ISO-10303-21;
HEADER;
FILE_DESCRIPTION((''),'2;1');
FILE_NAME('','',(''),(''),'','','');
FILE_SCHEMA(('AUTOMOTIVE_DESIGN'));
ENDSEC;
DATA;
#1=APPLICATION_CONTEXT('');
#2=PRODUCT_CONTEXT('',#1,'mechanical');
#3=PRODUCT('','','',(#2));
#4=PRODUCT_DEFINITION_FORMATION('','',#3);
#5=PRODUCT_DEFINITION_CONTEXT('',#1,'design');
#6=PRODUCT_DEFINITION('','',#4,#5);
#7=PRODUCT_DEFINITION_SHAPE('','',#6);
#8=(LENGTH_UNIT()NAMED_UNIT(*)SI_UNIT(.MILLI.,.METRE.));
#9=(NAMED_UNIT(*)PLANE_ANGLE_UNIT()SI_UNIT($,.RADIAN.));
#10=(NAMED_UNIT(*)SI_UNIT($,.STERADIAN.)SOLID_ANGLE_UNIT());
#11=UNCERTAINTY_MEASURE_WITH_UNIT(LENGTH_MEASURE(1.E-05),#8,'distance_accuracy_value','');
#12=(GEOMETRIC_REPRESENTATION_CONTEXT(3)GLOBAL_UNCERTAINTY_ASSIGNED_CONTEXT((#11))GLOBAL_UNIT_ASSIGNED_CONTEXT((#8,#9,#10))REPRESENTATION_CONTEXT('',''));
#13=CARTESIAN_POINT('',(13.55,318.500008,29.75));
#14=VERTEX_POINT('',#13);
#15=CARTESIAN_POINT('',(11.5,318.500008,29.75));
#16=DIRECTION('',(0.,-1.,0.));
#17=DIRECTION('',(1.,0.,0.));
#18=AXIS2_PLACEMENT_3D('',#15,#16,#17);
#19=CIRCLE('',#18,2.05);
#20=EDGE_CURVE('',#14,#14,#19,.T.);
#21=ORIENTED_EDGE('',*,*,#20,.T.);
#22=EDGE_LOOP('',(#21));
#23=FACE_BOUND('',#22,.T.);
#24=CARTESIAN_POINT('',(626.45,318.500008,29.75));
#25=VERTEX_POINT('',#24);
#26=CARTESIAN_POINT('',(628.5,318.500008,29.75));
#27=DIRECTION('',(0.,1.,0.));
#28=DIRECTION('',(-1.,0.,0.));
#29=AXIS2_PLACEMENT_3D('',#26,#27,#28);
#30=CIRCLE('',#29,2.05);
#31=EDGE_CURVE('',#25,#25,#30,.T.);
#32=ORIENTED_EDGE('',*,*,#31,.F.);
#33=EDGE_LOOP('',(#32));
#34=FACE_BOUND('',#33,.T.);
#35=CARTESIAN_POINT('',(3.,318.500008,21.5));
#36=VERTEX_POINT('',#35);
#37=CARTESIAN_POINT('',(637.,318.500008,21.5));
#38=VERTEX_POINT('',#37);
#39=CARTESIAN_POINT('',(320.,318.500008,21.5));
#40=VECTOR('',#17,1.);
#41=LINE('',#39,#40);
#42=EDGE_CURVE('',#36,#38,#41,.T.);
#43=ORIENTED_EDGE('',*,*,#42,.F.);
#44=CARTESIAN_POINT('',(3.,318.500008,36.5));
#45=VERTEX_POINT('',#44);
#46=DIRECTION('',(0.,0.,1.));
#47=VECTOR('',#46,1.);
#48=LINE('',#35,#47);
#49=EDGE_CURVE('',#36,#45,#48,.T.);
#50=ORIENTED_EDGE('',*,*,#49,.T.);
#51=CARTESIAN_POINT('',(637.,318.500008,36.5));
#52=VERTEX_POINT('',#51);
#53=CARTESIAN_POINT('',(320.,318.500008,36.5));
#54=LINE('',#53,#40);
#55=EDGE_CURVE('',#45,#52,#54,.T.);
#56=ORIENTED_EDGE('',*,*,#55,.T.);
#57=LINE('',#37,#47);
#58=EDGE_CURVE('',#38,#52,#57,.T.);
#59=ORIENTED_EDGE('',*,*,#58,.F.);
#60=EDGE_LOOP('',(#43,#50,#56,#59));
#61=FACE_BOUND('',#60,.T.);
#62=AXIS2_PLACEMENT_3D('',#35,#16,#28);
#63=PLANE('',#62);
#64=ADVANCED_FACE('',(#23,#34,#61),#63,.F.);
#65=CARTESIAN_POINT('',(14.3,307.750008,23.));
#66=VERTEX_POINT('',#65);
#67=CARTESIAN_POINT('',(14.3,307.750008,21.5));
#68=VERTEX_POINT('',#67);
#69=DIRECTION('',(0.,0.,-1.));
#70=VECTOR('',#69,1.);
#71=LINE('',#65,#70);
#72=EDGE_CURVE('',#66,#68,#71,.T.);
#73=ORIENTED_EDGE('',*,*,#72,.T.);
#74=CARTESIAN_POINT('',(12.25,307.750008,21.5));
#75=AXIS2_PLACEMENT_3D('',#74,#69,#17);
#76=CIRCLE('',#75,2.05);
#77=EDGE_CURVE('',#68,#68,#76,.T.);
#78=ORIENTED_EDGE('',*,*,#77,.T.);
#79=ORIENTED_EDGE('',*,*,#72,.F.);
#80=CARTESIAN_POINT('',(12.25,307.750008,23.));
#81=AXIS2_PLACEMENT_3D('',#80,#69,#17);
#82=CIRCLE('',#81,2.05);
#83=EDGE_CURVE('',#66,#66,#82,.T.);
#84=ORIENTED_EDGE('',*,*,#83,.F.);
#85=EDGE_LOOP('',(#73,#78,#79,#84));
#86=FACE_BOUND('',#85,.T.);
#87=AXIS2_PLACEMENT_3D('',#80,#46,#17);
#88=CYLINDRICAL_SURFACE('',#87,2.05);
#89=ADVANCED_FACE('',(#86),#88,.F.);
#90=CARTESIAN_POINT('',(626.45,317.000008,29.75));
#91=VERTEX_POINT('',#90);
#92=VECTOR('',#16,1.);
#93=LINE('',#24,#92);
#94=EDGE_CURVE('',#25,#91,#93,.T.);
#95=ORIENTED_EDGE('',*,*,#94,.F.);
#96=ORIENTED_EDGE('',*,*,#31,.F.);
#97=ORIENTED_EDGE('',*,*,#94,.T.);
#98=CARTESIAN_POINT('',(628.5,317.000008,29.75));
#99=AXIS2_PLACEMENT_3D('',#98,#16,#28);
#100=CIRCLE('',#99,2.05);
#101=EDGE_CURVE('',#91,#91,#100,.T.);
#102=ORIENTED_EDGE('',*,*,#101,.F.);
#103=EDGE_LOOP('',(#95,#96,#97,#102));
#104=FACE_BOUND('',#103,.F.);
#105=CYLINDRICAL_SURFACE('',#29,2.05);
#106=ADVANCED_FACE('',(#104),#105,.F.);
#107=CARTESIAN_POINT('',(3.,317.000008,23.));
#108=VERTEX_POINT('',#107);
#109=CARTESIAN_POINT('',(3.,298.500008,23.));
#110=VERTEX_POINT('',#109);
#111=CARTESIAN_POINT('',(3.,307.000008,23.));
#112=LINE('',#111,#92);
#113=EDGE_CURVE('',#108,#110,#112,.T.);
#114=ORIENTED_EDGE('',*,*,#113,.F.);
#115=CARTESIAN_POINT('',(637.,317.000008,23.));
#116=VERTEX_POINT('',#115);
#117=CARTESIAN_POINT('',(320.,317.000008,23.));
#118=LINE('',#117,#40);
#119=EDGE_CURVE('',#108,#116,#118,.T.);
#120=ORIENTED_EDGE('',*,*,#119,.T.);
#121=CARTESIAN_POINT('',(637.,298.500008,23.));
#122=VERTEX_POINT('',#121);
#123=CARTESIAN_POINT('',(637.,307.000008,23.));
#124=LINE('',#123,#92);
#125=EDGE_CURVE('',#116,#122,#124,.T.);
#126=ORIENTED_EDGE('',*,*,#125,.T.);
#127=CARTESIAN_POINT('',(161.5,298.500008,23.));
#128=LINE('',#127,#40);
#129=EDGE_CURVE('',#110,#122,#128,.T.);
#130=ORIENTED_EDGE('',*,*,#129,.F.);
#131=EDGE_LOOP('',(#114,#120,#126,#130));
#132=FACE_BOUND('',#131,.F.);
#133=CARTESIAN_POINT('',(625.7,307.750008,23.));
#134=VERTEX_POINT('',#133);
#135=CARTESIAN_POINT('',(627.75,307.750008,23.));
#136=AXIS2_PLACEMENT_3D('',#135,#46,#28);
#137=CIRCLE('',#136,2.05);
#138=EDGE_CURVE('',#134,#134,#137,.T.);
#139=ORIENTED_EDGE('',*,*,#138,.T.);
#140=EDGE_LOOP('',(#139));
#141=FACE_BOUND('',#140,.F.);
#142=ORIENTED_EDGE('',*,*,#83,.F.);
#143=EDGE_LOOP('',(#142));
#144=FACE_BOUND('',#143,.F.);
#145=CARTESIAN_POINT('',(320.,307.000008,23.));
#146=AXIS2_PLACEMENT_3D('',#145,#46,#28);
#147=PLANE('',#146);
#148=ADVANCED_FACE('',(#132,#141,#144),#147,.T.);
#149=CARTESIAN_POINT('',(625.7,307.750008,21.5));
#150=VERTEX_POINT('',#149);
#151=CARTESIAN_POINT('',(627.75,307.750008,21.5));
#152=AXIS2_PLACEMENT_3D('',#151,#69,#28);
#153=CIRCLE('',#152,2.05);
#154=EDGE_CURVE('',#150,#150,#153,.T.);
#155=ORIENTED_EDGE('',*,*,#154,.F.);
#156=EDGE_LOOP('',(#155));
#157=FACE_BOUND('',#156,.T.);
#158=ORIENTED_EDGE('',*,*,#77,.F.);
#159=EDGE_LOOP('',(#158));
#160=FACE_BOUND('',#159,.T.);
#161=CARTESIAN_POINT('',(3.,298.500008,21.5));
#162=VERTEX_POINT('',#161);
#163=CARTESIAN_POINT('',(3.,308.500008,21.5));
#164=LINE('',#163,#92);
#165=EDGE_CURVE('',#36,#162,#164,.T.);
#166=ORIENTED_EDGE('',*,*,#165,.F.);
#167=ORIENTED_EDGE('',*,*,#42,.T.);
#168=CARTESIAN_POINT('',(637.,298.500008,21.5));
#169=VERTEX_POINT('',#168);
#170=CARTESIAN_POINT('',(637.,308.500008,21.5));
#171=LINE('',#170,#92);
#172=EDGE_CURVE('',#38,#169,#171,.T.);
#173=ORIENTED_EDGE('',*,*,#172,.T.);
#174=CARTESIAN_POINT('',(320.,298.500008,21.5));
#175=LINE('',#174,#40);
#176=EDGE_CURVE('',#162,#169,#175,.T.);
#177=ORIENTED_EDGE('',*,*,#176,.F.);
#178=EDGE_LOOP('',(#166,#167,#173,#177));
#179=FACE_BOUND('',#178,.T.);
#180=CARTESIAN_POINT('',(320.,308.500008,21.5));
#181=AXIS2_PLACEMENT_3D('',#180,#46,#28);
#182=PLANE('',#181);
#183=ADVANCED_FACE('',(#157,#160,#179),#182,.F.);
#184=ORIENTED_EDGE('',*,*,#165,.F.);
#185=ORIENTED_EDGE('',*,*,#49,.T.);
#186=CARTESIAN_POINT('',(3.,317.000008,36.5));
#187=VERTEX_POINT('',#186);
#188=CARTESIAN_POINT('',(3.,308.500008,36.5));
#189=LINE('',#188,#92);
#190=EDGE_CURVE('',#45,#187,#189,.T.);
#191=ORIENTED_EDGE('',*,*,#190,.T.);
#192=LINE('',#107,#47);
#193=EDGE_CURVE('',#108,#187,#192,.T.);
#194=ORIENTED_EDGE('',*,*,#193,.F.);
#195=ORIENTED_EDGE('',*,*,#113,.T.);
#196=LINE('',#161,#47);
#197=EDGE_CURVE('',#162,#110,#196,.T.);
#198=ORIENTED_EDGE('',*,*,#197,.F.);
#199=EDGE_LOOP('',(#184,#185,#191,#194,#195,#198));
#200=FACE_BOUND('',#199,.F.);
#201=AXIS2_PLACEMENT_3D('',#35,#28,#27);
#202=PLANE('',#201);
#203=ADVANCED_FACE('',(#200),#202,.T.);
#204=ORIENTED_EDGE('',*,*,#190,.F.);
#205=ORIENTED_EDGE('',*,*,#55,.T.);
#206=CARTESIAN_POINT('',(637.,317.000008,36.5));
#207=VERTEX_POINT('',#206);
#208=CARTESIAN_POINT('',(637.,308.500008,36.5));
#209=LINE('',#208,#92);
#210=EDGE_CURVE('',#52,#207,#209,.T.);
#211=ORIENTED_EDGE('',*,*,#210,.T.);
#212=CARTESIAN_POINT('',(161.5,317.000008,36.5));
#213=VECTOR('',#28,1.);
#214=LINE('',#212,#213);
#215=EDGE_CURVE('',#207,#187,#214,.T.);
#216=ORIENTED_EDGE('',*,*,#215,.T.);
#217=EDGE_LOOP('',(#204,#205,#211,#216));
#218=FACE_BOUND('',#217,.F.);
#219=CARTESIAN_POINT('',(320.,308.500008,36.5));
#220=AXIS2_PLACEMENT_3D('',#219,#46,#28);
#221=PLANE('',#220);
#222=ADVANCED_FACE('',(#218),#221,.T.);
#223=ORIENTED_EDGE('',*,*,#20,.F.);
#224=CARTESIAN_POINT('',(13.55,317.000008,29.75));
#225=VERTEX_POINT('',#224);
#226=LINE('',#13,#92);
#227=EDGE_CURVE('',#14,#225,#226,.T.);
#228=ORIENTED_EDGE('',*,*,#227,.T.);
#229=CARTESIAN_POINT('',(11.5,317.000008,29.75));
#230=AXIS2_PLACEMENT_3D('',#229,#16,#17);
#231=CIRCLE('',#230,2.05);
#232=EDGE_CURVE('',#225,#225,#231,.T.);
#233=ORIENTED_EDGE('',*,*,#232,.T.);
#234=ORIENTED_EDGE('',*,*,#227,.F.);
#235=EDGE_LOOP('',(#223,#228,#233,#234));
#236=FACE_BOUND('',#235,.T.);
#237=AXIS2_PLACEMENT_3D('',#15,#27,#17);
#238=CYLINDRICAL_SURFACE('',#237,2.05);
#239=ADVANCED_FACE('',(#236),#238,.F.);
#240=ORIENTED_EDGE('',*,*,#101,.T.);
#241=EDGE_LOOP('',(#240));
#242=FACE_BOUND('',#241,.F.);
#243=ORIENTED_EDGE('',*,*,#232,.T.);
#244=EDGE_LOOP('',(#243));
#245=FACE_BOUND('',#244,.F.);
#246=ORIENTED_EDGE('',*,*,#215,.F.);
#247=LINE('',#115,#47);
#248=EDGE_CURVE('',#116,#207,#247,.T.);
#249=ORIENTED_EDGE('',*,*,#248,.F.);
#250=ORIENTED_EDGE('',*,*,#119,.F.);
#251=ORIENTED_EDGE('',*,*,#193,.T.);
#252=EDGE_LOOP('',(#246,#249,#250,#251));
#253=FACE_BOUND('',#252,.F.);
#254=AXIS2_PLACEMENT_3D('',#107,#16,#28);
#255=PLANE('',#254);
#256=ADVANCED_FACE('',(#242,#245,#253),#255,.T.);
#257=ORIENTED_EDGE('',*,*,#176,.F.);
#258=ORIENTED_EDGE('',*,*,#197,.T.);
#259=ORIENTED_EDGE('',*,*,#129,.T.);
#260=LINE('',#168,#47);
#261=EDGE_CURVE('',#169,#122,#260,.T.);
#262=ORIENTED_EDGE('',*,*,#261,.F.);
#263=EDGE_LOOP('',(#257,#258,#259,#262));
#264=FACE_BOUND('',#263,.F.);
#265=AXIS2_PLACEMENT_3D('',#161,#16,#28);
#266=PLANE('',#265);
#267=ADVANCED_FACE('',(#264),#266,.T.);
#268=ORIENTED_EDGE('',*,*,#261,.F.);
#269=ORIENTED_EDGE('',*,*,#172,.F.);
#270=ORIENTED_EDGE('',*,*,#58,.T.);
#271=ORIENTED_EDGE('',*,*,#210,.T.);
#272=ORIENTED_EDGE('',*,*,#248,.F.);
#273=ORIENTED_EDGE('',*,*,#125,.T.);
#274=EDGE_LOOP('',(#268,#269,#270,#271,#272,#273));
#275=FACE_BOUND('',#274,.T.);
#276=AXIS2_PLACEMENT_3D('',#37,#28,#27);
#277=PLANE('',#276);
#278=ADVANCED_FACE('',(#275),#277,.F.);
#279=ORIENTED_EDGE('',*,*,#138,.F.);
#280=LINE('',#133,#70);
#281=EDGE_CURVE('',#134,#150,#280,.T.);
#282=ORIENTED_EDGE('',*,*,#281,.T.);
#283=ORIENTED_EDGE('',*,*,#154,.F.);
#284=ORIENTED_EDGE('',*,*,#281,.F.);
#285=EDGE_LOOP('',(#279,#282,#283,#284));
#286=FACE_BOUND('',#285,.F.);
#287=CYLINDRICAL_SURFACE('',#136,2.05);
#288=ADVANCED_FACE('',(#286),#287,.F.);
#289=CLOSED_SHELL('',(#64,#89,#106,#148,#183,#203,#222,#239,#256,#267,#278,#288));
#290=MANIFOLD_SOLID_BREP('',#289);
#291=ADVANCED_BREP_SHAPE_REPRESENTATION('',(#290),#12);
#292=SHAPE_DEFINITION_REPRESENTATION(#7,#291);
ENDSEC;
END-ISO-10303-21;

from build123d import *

# Parameters (mm, degrees)
BOX011_W      = 634
BOX011_H      = 20
BOX011_DEPTH  = 15
BOX010_W      = 634
BOX010_H      = 20
BOX010_DEPTH  = 15
SKETCH009_R   = 2.05
HOLE004_DEPTH = 1270.486422
SKETCH018_R   = 2.05
HOLE011_DEPTH = 1288.986422


with BuildPart() as reference_cube_cut:
    # Box011 → Box011 (new body)
    with BuildSketch(Plane(origin=(1.5, 1.5, 1.5), x_dir=(1, 0, 0), z_dir=(0, 0, 1))):
        with Locations((317, 10)):
            Rectangle(BOX011_W, BOX011_H)
    extrude(amount=BOX011_DEPTH)


with BuildPart() as bottom_body:
    # Box010 → Box010 (new body)
    with BuildSketch(Plane(origin=(1.5, 0, 0), x_dir=(1, 0, 0), z_dir=(0, 0, 1))):
        with Locations((317, 10)):
            Rectangle(BOX010_W, BOX010_H)
    extrude(amount=BOX010_DEPTH)

    # Cut005: cut reference_cube_cut
    add(reference_cube_cut.part, mode=Mode.SUBTRACT)


with BuildPart() as bottom_body_1:
    # Cut005 placement: moved
    add(bottom_body.part.moved(Location((1.5, 1.5, 23))))


with BuildPart() as bottom_body_2:
    # BaseFeature003 placement: moved
    add(bottom_body_1.part.moved(Location((-1.5, -1.5, -23))))

    # Sketch009 → Hole004 (cut, through all)
    with BuildSketch(Plane.XY.offset(1.5)):
        with Locations((10.75, 10.75)):
            Circle(SKETCH009_R)
    hole004 = extrude(amount=-HOLE004_DEPTH, mode=Mode.SUBTRACT)

    # Mirrored002: Hole004 across Sketch009 Axis0
    add(hole004.mirror(Plane(origin=(318.5, 20, 1.5), x_dir=(0, 0, 1), z_dir=(1, 0, 0))), mode=Mode.SUBTRACT)

    # Sketch018 → Hole011 (cut, through all)
    with BuildSketch(Plane.XZ):
        with Locations((10, 8.25)):
            Circle(SKETCH018_R)
    hole011 = extrude(amount=-HOLE011_DEPTH, mode=Mode.SUBTRACT)

    # Mirrored006: Hole011 across Sketch018 Axis0
    add(hole011.mirror(Plane(origin=(318.5, 0, 15), x_dir=(0, -1, 0), z_dir=(1, 0, 0))), mode=Mode.SUBTRACT)


with BuildPart() as bottom_body_3:
    # Body003 placement: moved
    add(bottom_body_2.part.moved(Location((1.5, 1.5, 21.5))))


with BuildPart() as front_bottom_mirror:
    # Part__Mirroring004: instance of bottom_body
    add(bottom_body_3.part.mirror(Plane(origin=(490, 4e-06, 29), x_dir=(1, 0, 0), z_dir=(0, 1, 0))))


with BuildPart() as front_bottom_mirror_1:
    # Part__Mirroring004 placement: moved
    add(front_bottom_mirror.part.moved(Location((0, 320, 0))))


solid = front_bottom_mirror_1.part
